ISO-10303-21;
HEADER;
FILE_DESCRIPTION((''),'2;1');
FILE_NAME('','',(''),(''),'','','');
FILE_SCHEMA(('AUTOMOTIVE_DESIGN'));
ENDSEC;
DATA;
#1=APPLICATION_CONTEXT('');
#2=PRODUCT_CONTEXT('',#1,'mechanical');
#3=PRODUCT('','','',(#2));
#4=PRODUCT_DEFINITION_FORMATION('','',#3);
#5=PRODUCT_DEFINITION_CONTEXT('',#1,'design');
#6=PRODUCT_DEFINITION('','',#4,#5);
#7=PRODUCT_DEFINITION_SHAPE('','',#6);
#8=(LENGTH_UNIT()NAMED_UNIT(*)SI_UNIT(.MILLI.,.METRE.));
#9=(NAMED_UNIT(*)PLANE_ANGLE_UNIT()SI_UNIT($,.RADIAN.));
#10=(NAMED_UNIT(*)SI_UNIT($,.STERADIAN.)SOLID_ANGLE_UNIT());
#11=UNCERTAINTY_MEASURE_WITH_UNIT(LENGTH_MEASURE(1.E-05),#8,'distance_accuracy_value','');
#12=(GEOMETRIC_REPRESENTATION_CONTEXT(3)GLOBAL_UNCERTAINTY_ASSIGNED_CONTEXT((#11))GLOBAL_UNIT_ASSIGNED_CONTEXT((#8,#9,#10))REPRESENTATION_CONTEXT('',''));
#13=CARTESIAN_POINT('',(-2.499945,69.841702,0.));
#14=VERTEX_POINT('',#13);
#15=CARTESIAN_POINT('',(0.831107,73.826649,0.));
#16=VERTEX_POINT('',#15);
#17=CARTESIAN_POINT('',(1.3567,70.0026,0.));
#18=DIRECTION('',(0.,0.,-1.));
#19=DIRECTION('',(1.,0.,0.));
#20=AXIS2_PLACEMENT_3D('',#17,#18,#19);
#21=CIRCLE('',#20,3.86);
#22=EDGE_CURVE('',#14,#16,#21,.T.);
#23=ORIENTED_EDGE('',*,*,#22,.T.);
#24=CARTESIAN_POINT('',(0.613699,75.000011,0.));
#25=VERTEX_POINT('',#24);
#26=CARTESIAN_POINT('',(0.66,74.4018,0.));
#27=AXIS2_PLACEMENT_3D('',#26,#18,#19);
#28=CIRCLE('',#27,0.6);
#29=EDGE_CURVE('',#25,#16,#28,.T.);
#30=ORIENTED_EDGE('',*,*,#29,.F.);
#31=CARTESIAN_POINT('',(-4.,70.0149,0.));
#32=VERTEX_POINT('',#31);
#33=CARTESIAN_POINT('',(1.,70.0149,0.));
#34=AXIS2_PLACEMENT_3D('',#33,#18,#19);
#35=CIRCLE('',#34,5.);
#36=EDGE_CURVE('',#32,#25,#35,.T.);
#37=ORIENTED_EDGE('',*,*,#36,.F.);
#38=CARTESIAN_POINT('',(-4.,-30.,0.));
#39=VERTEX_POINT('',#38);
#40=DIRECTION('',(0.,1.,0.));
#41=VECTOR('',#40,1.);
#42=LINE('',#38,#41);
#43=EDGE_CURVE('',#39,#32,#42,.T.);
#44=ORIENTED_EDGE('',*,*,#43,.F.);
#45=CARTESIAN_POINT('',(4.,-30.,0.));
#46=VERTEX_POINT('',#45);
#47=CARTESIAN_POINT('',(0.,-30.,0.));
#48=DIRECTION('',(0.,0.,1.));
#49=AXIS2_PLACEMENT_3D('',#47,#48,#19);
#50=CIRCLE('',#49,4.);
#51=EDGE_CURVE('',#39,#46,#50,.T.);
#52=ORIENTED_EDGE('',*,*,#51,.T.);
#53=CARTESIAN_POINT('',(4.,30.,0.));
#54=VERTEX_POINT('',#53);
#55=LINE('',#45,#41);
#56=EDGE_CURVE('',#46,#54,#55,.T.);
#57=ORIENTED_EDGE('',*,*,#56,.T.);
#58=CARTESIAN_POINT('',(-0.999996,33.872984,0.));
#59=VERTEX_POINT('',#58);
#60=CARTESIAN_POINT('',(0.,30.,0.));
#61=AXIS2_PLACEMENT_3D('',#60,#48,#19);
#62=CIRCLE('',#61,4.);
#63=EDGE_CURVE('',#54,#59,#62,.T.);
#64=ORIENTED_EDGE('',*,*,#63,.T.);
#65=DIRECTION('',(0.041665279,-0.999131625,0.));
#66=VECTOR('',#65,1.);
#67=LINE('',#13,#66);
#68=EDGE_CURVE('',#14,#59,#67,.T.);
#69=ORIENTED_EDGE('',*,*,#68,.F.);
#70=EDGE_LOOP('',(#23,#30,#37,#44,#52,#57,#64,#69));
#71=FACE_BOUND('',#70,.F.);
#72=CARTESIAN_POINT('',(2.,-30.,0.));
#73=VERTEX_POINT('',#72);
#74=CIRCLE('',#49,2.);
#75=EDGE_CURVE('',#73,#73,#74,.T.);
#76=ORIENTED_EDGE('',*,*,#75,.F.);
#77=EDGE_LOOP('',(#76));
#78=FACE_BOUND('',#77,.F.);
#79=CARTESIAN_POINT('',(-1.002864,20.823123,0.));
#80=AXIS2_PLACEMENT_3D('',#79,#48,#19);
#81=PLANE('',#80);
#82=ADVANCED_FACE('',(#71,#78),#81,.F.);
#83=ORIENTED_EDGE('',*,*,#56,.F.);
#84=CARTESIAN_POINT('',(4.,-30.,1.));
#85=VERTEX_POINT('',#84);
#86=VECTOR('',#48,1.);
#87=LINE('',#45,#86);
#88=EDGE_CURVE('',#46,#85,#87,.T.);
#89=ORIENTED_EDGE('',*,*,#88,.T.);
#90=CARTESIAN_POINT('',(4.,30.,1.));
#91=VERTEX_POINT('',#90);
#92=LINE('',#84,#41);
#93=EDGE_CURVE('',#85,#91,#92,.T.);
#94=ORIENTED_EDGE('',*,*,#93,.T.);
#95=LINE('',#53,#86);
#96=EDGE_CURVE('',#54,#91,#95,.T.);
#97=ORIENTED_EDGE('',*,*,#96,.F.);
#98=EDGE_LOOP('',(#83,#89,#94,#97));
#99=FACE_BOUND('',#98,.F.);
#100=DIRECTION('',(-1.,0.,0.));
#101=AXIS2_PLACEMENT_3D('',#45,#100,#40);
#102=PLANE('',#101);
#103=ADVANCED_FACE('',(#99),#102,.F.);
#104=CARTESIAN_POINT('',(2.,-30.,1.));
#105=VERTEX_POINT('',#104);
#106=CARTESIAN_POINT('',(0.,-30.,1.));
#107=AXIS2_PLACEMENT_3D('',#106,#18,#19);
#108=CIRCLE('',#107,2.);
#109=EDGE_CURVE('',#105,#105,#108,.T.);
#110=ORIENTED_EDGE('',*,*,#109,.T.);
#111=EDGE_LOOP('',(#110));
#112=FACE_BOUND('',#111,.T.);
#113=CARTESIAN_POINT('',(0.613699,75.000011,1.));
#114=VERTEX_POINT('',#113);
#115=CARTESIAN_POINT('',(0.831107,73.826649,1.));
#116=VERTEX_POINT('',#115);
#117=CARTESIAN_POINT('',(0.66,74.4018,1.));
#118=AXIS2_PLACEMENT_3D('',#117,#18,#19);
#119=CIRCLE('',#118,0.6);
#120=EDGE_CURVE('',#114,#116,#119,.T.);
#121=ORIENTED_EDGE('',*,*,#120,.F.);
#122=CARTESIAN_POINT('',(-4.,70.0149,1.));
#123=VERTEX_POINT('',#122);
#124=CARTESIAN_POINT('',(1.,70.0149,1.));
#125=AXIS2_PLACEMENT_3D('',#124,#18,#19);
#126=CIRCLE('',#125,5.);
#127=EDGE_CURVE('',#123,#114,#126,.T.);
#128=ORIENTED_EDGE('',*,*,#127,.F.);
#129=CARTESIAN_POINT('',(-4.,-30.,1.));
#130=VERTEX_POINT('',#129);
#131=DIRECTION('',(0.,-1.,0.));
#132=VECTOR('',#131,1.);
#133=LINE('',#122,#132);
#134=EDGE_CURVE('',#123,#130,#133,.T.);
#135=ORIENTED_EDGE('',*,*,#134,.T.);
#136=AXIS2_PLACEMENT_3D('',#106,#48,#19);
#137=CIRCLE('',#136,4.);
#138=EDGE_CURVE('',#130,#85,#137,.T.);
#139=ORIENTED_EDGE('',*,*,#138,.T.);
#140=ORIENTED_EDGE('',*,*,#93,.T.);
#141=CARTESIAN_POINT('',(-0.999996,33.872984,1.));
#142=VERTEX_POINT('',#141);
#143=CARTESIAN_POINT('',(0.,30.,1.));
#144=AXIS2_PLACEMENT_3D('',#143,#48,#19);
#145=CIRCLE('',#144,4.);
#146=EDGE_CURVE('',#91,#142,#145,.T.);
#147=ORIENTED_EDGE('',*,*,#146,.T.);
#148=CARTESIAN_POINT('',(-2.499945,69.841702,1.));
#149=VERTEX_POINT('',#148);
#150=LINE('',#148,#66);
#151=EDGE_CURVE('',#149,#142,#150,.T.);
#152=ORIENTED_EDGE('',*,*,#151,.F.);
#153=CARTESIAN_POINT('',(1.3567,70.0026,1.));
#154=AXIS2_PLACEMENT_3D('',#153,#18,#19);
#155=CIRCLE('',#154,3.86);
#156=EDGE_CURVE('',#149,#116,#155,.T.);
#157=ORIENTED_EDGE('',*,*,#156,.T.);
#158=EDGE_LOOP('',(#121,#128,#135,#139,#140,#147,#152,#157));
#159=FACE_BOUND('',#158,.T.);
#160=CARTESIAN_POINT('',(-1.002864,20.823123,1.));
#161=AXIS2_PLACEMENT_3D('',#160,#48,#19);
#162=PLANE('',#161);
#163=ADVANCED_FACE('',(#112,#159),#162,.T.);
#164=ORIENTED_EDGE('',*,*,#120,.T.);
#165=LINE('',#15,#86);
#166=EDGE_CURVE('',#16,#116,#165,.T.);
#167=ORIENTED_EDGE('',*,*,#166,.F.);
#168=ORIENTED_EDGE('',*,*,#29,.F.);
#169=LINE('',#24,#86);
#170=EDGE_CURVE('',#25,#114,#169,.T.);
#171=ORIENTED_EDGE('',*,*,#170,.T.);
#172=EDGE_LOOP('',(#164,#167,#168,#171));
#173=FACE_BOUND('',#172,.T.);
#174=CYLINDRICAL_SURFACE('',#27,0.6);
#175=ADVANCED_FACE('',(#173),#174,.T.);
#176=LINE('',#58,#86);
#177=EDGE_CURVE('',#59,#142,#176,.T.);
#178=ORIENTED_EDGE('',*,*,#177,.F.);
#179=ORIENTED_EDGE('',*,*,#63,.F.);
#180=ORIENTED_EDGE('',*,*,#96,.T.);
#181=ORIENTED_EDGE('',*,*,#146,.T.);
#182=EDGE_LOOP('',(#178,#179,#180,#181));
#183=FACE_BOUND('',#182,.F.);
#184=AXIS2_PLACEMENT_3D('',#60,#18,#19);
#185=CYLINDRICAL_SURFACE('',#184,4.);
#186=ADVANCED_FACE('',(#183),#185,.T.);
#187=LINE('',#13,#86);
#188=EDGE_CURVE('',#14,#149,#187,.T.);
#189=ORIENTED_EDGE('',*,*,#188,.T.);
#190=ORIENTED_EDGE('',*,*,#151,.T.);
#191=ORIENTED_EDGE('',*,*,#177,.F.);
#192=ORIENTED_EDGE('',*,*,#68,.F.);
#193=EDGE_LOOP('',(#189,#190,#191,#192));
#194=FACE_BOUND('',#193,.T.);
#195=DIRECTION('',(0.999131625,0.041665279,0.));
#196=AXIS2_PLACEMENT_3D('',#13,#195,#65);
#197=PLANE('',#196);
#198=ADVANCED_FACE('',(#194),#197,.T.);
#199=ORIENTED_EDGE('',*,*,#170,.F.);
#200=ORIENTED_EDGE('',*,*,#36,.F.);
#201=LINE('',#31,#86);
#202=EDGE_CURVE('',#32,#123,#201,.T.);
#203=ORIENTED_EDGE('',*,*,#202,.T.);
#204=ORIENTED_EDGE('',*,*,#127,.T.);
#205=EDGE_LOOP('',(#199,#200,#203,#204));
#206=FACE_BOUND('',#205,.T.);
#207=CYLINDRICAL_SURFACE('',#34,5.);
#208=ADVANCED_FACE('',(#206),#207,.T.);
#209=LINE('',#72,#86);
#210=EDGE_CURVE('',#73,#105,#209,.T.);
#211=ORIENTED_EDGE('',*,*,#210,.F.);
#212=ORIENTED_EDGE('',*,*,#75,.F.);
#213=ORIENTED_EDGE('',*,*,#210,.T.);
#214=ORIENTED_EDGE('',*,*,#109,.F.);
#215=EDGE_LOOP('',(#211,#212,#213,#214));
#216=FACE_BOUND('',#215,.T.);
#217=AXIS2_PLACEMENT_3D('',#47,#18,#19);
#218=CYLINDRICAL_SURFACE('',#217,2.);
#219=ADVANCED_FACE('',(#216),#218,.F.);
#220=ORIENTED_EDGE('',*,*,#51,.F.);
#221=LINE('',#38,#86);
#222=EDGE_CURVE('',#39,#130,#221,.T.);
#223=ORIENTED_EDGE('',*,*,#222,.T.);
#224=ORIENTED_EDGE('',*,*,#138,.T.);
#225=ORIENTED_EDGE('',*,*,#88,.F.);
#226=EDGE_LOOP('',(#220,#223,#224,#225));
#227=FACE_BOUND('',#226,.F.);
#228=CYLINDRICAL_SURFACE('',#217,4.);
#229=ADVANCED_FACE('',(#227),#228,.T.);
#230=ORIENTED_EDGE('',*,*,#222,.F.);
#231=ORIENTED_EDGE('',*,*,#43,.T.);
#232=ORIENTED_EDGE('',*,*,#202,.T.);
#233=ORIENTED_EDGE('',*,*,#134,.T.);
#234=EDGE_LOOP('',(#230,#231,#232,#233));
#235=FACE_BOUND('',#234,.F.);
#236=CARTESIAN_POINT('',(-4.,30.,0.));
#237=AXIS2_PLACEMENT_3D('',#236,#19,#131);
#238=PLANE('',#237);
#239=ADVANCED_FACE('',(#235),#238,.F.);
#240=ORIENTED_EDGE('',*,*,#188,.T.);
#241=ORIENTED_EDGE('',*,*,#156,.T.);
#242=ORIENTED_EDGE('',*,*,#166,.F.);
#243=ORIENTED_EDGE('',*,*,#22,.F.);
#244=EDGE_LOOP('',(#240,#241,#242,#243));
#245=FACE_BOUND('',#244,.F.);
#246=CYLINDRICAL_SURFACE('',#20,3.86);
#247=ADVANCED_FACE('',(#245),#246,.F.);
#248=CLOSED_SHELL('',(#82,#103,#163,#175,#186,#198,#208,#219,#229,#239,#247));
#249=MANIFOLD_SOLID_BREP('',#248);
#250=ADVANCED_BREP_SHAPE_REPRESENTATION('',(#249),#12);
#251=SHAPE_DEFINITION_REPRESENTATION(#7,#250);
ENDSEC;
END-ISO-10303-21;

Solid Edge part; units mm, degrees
sketch "Sketch1" plane through (0, 0, 0) normal (0, 0, 1) x (1, 0, 0)
  line L0 (4, -30) -> (4, 30)
  arc A0 (4, 30) -> (-1, 33.873) centre (0, 30) ccw
  line L1 (-2.5, 69.8417) -> (-1, 33.873)
  arc A1 (-2.5, 69.8417) -> (0.8311, 73.8267) centre (1.3567, 70.0026) cw
  arc A2 (0.6137, 75) -> (0.8311, 73.8267) centre (0.66, 74.4018) cw
  arc A3 (-4, 70.0149) -> (0.6137, 75) centre (1, 70.0149) cw
  line L2 (-4, 30) -> (-4, 70.0149)
  line L3 (-4, 30) -> (-4, -30)
  arc A4 (-4, -30) -> (4, -30) centre (0, -30) ccw
  dimension "D1" = 4
  dimension "D2" = 2.5
  dimension "D3" = 2.5
extrude "Ajout_matière_1" add sketch "Sketch1" along normal blind 1
sketch "Sketch2" plane through (0, 0, 0) normal (0, 0, 1) x (1, 0, 0)
  circle A0 centre (0, -30) radius 2
  dimension "D1" = 4
extrude "Cutout1" cut sketch "Sketch2" along normal up to next
properties material "Acier S235"
